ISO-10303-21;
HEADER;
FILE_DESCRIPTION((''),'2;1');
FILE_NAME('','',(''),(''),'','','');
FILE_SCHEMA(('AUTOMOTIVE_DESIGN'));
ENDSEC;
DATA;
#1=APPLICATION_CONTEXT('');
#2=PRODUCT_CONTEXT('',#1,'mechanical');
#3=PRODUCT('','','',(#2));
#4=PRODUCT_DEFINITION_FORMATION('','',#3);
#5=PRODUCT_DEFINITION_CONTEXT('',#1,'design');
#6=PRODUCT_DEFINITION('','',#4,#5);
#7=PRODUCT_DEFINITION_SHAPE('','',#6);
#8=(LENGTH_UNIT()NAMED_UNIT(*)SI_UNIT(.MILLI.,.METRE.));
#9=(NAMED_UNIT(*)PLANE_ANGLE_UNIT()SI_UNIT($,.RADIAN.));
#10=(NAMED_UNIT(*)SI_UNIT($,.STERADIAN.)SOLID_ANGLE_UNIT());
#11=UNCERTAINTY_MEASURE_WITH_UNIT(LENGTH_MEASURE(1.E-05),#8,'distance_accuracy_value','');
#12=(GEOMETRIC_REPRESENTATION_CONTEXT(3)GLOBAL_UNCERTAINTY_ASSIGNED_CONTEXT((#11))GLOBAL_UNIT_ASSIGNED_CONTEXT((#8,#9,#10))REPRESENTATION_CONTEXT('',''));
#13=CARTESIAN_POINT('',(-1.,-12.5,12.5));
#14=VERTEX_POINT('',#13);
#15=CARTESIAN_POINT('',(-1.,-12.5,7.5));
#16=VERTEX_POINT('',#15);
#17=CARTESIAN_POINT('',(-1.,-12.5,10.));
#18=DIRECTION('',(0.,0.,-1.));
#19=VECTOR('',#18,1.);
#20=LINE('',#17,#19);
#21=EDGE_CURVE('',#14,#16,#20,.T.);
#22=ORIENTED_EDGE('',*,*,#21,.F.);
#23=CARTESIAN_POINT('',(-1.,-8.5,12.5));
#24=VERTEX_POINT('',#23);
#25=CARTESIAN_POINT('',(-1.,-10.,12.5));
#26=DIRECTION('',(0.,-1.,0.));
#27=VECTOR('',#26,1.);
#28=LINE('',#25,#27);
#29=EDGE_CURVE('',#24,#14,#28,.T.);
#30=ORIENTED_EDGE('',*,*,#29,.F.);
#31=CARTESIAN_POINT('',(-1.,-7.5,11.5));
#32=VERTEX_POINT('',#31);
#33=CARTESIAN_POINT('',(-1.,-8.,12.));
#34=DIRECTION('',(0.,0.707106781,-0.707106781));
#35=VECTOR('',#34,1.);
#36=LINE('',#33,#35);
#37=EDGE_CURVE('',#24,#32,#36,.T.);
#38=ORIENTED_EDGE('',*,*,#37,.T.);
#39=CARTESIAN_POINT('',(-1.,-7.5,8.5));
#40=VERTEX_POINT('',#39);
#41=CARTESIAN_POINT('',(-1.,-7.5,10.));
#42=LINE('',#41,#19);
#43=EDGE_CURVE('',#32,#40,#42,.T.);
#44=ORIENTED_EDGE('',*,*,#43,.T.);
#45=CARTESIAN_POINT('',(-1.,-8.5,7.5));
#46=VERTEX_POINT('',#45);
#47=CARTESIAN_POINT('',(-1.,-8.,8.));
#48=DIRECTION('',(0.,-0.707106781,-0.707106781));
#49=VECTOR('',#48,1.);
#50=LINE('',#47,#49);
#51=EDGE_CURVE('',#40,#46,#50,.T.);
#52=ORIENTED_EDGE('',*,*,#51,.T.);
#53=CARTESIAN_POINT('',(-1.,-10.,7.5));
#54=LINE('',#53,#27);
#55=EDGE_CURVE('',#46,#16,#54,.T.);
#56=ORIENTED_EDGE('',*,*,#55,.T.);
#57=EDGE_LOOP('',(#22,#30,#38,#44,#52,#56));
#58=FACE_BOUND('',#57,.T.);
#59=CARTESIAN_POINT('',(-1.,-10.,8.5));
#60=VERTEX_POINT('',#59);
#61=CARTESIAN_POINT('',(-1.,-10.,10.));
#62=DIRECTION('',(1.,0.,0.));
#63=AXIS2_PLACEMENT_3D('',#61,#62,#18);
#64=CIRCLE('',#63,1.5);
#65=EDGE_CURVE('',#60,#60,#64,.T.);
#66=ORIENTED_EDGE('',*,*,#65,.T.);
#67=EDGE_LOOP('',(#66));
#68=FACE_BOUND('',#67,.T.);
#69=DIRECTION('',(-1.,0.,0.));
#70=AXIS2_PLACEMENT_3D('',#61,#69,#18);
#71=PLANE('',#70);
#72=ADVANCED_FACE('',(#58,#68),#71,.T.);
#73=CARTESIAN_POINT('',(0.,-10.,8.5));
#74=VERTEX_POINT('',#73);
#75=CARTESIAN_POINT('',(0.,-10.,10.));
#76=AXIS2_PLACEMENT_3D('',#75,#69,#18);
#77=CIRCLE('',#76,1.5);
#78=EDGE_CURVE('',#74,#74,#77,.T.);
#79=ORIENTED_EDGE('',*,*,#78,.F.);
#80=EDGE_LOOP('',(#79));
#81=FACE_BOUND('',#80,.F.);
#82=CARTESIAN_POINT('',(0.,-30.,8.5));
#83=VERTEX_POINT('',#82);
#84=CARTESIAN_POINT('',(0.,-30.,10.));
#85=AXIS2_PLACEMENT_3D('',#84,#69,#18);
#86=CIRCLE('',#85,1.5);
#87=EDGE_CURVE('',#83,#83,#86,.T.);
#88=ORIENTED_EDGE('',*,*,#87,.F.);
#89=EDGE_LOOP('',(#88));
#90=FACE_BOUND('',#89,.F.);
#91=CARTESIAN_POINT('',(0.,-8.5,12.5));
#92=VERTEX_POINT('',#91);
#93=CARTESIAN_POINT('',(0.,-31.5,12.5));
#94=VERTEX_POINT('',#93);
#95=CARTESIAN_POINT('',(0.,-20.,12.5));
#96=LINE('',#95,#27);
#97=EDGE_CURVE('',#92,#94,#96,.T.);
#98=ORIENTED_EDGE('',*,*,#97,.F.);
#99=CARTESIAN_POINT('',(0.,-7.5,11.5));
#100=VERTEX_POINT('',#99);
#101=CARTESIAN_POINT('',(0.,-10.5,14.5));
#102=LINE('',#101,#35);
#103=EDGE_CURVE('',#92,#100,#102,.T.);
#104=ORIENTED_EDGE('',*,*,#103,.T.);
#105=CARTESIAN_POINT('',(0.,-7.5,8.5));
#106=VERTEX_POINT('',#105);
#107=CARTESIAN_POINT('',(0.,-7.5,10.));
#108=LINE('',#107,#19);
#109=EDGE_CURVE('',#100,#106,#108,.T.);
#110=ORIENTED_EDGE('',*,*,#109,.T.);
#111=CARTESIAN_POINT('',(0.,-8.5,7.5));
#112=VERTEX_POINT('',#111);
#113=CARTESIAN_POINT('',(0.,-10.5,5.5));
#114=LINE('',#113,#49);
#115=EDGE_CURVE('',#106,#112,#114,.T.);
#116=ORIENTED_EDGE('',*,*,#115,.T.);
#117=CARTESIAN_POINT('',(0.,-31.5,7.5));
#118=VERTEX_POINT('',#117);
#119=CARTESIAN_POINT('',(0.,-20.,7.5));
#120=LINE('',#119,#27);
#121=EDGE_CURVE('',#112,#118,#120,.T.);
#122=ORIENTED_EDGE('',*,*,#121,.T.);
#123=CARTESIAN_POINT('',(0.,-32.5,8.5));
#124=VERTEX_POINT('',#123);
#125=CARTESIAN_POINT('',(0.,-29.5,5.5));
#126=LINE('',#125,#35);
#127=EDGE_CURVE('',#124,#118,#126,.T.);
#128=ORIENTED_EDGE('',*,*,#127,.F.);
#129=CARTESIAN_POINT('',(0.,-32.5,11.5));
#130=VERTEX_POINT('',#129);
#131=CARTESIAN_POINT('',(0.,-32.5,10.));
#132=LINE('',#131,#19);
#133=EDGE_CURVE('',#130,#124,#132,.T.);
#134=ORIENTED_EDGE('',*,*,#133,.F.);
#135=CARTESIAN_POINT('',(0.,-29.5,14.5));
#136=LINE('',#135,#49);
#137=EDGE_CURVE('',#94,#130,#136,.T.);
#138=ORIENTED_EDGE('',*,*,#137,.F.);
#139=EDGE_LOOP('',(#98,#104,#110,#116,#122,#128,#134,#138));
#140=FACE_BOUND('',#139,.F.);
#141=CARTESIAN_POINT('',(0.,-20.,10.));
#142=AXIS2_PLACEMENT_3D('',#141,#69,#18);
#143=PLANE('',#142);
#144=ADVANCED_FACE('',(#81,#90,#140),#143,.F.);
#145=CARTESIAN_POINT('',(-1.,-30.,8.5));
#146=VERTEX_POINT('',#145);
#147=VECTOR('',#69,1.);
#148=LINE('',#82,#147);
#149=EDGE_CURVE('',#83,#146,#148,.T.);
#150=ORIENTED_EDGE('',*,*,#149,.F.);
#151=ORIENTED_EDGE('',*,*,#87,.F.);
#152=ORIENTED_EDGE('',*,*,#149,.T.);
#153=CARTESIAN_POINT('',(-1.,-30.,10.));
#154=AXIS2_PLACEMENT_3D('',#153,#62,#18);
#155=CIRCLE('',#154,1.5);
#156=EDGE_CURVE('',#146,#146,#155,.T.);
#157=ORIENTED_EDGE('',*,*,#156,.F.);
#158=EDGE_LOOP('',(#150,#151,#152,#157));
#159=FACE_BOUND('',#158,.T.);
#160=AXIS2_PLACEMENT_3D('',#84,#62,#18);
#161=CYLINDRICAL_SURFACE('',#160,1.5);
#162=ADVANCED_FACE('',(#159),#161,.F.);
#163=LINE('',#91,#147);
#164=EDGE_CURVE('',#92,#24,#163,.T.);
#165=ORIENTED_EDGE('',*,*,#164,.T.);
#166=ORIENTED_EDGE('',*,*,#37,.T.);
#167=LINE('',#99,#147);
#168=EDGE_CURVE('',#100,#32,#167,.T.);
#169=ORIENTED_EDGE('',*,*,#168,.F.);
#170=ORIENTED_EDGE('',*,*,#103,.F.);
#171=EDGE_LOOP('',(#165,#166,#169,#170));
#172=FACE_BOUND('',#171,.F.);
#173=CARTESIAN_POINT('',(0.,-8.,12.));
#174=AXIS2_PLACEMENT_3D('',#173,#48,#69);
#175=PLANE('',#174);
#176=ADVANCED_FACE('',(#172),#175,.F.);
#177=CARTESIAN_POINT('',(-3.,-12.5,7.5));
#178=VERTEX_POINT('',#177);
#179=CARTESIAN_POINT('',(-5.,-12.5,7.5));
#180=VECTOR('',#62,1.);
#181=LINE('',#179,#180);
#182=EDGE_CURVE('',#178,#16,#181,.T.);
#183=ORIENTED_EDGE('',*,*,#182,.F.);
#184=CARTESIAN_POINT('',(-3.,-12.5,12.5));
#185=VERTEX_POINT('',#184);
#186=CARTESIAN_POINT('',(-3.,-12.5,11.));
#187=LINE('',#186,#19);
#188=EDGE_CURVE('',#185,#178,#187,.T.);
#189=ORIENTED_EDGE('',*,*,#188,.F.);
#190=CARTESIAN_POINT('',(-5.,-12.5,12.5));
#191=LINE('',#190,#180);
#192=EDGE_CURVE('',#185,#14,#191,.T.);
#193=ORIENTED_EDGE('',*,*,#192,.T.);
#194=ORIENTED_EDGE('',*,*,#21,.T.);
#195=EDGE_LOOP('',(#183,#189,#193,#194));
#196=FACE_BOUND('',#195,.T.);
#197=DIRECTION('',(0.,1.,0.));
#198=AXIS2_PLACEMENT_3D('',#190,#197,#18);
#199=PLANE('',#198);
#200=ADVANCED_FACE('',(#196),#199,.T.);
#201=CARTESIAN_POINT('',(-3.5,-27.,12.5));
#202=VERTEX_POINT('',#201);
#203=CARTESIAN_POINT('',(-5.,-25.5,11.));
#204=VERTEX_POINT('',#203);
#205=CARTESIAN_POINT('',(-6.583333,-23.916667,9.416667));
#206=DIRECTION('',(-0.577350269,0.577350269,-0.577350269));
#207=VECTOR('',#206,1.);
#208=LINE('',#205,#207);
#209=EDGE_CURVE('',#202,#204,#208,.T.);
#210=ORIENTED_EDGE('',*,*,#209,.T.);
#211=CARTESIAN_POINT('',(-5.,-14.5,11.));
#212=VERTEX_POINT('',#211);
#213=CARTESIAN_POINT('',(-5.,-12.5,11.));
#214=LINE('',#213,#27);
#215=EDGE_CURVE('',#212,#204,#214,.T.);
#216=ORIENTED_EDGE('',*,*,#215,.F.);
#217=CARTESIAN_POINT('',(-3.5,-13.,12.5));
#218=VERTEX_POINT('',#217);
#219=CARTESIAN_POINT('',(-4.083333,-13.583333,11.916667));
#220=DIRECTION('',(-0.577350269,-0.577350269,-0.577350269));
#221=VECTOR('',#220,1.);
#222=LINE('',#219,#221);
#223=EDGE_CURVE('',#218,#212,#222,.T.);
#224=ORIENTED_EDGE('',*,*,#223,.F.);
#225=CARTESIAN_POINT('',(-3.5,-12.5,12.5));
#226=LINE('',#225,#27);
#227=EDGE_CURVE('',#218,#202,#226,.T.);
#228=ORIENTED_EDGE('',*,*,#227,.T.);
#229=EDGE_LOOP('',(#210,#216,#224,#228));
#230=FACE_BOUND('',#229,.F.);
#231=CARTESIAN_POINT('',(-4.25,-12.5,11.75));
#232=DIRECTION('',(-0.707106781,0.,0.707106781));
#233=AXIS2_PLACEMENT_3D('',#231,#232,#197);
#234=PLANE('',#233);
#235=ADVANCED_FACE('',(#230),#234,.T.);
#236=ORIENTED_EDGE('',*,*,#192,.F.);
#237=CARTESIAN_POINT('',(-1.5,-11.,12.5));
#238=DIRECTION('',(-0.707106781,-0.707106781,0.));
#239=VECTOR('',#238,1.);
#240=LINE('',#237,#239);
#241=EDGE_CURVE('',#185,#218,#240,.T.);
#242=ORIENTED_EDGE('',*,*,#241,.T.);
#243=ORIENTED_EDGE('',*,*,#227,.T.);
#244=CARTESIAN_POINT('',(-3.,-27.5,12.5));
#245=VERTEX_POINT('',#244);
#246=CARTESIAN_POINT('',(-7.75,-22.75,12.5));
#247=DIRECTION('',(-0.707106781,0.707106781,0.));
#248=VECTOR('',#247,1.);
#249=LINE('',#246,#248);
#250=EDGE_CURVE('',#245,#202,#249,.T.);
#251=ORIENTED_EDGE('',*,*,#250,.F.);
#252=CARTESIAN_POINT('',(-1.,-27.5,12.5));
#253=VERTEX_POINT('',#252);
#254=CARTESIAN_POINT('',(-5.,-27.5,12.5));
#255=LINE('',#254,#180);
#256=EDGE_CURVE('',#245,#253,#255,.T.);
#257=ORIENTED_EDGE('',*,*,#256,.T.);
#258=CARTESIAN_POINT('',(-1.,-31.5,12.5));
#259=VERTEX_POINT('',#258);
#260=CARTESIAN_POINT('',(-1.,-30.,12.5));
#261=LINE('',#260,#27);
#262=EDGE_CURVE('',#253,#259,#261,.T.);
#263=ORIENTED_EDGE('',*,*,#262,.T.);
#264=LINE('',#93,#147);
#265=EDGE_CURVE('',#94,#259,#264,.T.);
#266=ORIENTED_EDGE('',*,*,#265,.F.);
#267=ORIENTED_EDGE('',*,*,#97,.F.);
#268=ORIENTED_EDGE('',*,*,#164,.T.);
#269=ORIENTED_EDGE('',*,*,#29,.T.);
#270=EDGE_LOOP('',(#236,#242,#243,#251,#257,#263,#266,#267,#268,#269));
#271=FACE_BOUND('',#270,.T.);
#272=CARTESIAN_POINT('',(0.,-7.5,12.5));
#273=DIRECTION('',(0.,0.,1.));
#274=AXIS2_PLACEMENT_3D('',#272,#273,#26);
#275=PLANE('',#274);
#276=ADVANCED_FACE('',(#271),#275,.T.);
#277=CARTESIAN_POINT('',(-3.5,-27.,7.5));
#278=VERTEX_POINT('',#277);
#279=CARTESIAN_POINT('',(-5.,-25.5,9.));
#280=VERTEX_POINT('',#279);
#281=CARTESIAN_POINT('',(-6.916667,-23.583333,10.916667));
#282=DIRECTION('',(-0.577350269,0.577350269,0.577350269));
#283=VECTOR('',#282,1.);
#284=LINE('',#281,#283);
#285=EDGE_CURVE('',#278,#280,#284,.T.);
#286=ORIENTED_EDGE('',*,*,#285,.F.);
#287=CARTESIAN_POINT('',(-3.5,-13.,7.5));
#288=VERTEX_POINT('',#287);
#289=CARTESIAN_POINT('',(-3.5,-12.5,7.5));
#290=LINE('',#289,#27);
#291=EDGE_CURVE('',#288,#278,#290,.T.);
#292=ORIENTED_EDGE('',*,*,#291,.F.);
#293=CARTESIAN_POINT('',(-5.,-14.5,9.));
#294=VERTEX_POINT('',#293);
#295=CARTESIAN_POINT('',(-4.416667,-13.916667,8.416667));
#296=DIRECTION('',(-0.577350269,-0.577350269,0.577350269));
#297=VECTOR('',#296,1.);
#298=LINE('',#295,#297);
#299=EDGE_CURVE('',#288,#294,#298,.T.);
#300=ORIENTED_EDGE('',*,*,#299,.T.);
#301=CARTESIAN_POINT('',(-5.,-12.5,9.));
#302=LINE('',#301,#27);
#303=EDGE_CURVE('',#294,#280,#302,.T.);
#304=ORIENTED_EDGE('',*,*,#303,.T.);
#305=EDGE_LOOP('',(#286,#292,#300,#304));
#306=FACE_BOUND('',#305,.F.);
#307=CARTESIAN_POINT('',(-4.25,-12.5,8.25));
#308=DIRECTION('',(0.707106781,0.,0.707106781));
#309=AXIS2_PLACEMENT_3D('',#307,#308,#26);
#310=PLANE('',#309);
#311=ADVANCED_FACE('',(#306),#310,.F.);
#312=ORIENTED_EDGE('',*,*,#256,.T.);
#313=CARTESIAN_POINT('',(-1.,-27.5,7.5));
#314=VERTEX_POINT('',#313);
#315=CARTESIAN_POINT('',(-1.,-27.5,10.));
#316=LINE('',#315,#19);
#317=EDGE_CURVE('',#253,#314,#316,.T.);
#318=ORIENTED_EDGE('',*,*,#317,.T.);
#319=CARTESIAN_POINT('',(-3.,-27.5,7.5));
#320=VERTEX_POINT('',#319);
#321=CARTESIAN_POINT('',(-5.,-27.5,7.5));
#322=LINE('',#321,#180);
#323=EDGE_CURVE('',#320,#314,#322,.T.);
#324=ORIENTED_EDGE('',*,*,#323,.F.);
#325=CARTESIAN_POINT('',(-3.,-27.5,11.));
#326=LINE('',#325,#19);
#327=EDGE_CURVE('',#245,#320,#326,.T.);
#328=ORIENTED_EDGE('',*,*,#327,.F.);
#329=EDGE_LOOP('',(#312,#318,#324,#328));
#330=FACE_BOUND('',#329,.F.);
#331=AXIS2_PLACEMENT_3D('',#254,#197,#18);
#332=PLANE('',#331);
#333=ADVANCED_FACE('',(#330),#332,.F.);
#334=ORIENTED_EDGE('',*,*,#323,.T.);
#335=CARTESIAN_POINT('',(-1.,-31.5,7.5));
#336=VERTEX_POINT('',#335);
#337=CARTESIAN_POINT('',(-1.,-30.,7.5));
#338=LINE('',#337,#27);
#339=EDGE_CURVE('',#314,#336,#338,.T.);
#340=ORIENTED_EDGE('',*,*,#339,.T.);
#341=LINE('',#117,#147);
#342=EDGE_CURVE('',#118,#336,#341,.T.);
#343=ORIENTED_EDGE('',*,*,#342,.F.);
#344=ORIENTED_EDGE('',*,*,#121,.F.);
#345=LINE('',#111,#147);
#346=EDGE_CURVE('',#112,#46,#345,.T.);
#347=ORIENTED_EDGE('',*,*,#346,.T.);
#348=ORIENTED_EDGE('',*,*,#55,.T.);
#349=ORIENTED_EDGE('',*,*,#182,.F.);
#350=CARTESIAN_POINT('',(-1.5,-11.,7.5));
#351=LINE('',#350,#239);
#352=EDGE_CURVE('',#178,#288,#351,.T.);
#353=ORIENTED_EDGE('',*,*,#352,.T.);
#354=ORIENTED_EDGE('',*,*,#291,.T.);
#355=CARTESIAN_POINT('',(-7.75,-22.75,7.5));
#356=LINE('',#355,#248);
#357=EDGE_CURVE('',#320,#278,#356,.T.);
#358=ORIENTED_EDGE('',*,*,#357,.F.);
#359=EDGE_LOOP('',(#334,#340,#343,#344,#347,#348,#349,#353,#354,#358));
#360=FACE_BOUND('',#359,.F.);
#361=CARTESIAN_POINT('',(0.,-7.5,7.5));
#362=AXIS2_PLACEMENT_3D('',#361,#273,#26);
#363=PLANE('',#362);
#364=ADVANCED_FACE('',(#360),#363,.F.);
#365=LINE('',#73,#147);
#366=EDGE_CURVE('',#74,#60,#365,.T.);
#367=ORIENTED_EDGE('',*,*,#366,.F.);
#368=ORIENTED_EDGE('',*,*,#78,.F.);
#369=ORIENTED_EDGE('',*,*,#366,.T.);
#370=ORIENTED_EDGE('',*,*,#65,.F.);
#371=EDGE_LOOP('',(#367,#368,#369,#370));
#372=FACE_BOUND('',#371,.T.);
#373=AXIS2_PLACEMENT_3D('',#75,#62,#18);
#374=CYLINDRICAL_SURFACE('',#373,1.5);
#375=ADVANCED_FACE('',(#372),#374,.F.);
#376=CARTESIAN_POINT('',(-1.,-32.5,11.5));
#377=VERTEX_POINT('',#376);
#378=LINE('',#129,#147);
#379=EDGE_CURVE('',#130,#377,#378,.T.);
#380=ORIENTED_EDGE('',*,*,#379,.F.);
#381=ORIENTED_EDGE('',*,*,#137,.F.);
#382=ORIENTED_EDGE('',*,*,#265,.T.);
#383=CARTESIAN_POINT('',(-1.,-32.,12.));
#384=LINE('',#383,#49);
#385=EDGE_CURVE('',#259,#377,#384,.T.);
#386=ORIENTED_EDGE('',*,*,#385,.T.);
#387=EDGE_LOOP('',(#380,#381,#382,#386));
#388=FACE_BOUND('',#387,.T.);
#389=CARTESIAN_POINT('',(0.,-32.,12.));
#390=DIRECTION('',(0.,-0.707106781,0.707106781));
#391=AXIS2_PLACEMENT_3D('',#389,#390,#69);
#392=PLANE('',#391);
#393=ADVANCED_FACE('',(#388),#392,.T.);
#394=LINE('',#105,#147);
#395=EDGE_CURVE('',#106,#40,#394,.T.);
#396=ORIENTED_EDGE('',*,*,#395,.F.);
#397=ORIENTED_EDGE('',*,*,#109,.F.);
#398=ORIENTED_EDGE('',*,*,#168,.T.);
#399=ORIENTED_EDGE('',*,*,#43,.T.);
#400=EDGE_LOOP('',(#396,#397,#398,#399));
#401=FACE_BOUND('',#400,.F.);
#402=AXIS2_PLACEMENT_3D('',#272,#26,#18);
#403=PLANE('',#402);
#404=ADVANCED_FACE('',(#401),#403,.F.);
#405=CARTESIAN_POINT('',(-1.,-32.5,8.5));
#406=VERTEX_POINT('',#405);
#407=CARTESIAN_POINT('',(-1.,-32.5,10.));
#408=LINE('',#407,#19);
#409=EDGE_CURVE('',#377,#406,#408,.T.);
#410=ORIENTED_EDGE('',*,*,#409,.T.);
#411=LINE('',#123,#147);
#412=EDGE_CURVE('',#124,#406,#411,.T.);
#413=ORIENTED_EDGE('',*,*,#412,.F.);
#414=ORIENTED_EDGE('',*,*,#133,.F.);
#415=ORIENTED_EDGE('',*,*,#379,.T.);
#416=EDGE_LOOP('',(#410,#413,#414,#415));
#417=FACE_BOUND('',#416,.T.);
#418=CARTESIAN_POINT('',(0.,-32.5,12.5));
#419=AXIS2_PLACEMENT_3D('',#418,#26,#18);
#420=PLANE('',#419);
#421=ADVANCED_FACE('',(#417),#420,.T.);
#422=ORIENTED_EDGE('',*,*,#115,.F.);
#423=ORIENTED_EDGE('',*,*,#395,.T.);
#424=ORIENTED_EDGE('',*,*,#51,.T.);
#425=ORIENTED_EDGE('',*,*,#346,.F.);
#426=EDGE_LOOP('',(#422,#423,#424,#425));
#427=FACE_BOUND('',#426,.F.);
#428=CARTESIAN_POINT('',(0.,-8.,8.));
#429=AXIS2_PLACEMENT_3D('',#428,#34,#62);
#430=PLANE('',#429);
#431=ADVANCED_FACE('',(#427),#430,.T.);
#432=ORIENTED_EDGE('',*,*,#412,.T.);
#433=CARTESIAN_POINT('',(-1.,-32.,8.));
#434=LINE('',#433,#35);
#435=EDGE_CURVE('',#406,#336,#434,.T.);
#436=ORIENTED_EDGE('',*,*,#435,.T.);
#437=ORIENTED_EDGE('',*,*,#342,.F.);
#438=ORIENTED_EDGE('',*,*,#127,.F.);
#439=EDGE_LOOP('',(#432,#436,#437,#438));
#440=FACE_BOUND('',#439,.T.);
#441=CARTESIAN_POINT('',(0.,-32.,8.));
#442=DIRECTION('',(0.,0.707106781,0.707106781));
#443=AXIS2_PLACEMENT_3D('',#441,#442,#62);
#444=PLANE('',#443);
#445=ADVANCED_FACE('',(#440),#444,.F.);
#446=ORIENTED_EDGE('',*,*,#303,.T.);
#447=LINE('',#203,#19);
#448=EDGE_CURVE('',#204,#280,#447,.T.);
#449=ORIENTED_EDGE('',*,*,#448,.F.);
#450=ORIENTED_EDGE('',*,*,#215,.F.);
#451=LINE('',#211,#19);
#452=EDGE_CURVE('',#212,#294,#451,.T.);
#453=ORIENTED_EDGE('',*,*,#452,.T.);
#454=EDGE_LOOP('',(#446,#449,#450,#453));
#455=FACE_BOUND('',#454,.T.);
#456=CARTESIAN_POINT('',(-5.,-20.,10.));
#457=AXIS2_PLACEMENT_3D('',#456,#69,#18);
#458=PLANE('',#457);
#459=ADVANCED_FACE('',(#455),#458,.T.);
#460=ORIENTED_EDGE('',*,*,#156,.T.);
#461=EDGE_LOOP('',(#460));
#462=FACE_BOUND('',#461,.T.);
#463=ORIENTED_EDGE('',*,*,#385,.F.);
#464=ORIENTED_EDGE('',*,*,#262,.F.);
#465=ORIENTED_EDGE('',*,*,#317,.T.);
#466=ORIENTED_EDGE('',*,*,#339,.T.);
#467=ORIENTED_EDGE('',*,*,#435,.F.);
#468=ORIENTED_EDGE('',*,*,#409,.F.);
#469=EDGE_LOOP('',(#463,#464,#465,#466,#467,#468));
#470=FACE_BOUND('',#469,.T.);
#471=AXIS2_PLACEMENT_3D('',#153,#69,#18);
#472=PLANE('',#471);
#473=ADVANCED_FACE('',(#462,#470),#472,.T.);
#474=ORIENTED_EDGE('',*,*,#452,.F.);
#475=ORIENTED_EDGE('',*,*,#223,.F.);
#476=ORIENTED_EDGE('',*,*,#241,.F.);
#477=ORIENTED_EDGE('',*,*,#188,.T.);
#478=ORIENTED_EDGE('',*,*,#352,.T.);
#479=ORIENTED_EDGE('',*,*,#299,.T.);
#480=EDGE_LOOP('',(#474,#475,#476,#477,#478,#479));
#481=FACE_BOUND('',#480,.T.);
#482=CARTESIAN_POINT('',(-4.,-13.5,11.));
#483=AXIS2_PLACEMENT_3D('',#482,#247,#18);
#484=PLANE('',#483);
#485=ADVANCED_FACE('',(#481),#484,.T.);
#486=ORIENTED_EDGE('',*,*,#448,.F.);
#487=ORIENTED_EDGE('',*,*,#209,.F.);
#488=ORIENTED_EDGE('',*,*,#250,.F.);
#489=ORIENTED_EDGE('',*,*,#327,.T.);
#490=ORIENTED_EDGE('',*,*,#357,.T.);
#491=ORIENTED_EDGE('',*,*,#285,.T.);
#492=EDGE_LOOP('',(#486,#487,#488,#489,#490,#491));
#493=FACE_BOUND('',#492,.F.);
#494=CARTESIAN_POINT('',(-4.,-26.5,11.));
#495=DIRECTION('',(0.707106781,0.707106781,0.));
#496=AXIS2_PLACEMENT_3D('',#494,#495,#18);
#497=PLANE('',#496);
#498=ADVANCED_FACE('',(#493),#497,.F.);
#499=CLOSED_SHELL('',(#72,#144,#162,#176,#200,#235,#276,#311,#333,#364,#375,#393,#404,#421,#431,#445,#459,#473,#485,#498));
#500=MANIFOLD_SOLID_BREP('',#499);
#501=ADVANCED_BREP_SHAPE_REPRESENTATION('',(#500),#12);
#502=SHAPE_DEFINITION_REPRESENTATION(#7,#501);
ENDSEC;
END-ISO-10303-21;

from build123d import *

# Parameters (mm, degrees)
SKETCH003_W     = 5
SKETCH003_H     = 25
SKETCH003_R     = 1.5
PAD001_DEPTH    = 5
SKETCH004_W     = 5
SKETCH004_H     = 5
POCKET002_DEPTH = 4
CHAMFER003_SIZE = 1.5
CHAMFER004_SIZE = 2
CHAMFER005_SIZE = 1


with BuildPart() as part:
    # Sketch003 (on DatumPlane) → Pad001 (new body)
    with BuildSketch(Plane(origin=(0, 0, 0), x_dir=(0, 0, -1), z_dir=(-1, 0, 0))):
        with Locations((-10, 20)):
            Rectangle(SKETCH003_W, SKETCH003_H)
        with Locations((-10, 30)):
            Circle(SKETCH003_R, mode=Mode.SUBTRACT)
        with Locations((-10, 10)):
            Circle(SKETCH003_R, mode=Mode.SUBTRACT)
    extrude(amount=PAD001_DEPTH)

    # Sketch004 (on Face8 of Pad001) → Pocket002 (cut)
    with BuildSketch(Plane(origin=(-5, 0, 0), x_dir=(0, 0, -1), z_dir=(-1, 0, 0))):
        with Locations((-10, 30)):
            Rectangle(SKETCH004_W, SKETCH004_H)
        with Locations((-10, 10)):
            Rectangle(SKETCH004_W, SKETCH004_H)
    extrude(amount=-POCKET002_DEPTH, mode=Mode.SUBTRACT)

    # Chamfer003
    chamfer003_edges = [part.edges().sort_by_distance(p)[0] for p in [
        (-5, -20, 12.5),
        (-5, -20, 7.5),
    ]]
    chamfer(chamfer003_edges, length=CHAMFER003_SIZE)

    # Chamfer004
    chamfer004_edges = [part.edges().sort_by_distance(p)[0] for p in [
        (-5, -12.5, 10),
        (-5, -27.5, 10),
    ]]
    chamfer(chamfer004_edges, length=CHAMFER004_SIZE)

    # Chamfer005
    chamfer005_edges = [part.edges().sort_by_distance(p)[0] for p in [
        (-0.5, -7.5, 7.5),
        (-0.5, -7.5, 12.5),
        (-0.5, -32.5, 7.5),
        (-0.5, -32.5, 12.5),
    ]]
    chamfer(chamfer005_edges, length=CHAMFER005_SIZE)


solid = part.part
